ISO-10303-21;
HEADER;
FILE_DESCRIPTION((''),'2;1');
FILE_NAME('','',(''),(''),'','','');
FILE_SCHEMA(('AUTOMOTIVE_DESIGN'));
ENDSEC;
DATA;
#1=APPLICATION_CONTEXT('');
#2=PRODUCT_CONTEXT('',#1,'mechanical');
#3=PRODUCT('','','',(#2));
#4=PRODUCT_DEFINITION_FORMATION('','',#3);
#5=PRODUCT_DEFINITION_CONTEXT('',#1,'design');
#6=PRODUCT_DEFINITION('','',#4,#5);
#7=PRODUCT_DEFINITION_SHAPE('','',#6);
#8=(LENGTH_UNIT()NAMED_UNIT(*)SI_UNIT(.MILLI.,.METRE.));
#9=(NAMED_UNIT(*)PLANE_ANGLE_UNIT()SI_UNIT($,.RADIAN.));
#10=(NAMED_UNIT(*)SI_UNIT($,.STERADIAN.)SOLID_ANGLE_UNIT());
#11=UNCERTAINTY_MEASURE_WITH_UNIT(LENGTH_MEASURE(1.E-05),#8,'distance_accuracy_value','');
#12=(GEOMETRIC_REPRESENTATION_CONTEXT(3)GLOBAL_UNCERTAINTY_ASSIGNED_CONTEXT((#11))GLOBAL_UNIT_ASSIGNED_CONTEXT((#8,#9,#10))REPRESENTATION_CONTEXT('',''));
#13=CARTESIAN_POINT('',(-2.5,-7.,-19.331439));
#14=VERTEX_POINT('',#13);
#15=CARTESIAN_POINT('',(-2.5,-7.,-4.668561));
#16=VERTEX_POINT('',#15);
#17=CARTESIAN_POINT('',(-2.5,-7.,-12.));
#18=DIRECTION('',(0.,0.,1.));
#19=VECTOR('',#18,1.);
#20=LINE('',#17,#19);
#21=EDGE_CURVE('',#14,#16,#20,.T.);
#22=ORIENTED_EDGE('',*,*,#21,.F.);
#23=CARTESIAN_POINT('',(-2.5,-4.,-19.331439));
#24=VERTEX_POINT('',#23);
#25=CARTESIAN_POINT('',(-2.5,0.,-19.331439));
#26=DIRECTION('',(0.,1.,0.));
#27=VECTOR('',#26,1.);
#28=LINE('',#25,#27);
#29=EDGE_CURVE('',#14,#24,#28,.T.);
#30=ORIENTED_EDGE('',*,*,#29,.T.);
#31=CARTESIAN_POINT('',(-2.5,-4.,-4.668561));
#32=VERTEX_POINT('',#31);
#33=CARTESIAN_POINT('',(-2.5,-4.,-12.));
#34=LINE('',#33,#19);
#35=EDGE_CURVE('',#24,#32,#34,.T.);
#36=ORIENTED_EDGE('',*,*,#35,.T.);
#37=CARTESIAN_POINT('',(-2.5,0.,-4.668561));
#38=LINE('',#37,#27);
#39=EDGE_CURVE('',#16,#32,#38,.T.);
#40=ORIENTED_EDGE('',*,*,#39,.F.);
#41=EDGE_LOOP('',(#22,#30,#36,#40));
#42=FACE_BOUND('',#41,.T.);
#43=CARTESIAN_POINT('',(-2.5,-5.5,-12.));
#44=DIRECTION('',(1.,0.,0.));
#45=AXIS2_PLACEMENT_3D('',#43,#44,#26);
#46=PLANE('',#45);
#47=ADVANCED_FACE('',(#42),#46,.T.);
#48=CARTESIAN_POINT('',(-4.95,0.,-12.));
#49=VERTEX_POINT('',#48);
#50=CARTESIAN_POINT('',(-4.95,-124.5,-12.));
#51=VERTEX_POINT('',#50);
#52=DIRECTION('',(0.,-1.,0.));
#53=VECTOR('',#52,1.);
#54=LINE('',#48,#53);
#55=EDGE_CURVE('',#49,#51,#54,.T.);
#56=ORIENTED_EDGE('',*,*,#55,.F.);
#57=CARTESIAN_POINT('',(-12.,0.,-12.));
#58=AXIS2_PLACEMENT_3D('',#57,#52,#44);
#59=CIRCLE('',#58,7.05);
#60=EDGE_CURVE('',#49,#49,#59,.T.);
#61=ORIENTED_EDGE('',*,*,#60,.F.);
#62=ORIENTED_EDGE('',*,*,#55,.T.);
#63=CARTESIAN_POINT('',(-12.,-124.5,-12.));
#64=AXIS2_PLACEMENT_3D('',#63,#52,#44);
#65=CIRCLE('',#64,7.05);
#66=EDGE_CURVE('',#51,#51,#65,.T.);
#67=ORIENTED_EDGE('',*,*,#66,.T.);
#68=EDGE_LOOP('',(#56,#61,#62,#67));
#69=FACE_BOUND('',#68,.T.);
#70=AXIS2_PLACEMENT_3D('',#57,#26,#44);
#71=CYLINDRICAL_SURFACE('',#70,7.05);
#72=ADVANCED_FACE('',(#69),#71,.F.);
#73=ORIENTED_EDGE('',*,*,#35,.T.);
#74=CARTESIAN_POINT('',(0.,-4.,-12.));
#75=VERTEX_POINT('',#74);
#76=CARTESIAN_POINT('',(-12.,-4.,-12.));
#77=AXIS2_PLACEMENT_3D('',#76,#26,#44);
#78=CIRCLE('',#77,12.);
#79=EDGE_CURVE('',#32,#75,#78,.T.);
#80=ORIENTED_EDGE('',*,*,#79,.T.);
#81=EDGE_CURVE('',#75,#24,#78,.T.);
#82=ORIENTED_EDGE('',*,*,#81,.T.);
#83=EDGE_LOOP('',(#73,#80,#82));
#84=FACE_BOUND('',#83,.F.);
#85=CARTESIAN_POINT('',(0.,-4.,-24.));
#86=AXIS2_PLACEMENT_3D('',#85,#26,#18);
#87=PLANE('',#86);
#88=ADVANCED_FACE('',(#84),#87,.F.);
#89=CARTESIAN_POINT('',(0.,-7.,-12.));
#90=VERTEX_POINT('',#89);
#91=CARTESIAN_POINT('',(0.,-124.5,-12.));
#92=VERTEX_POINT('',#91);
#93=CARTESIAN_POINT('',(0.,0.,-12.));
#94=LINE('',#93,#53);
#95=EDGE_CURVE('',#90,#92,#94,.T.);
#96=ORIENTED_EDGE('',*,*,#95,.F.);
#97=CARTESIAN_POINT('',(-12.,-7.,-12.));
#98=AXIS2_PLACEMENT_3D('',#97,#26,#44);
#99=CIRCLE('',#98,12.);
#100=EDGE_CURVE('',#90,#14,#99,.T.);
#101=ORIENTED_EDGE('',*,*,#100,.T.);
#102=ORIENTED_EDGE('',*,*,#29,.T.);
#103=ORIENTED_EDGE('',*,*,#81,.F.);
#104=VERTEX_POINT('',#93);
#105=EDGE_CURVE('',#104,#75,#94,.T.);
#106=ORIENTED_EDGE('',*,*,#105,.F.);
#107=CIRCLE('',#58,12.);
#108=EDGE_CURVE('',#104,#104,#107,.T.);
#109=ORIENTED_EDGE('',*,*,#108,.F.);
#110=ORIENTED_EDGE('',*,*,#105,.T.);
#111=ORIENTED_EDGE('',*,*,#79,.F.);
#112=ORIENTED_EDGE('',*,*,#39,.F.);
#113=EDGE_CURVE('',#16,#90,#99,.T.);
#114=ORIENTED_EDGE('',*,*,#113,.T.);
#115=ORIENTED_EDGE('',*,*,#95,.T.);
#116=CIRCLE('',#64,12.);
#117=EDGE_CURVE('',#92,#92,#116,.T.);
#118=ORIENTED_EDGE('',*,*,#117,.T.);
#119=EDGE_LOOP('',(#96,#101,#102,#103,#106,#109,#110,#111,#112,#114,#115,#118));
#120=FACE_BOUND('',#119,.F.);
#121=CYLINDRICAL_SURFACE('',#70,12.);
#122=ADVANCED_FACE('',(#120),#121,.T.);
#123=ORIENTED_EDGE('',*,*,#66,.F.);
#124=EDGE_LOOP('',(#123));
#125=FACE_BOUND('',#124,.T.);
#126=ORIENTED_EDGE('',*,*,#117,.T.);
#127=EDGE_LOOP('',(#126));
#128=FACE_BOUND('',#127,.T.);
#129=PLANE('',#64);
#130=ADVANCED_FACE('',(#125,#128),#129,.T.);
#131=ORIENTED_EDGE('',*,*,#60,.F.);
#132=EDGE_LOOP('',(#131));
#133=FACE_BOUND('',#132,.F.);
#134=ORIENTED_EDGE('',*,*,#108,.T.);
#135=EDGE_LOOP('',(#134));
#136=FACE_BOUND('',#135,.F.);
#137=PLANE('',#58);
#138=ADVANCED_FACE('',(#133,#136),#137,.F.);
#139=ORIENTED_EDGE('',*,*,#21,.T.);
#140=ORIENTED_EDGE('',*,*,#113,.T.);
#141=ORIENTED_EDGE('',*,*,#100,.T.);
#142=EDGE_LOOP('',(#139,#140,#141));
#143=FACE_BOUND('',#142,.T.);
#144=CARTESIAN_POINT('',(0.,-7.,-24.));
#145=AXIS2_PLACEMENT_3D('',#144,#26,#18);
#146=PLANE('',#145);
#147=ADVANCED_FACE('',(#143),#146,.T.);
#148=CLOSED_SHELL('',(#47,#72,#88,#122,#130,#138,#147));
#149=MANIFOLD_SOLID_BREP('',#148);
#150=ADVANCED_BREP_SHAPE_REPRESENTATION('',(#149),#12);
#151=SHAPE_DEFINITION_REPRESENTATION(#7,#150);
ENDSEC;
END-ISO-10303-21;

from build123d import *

# Parameters (mm, degrees)
F0_R     = 12
F0_R_2   = 7.05
F1_DEPTH = 124.5
F2_W     = 3
F2_H     = 24
F3_DEPTH = 2.5


with BuildPart() as f1:
    # F0 (on Front) → F1 (new body)
    with BuildSketch(Plane.XZ):
        with Locations((-12, -12)):
            Circle(F0_R)
        with Locations((-12, -12)):
            Circle(F0_R_2, mode=Mode.SUBTRACT)
    extrude(amount=F1_DEPTH)

    # F2 (on Right) → F3 (cut)
    with BuildSketch(Plane.YZ):
        with Locations((-5.5, -12)):
            Rectangle(F2_W, F2_H)
    extrude(amount=-F3_DEPTH, mode=Mode.SUBTRACT)


solid = f1.part
